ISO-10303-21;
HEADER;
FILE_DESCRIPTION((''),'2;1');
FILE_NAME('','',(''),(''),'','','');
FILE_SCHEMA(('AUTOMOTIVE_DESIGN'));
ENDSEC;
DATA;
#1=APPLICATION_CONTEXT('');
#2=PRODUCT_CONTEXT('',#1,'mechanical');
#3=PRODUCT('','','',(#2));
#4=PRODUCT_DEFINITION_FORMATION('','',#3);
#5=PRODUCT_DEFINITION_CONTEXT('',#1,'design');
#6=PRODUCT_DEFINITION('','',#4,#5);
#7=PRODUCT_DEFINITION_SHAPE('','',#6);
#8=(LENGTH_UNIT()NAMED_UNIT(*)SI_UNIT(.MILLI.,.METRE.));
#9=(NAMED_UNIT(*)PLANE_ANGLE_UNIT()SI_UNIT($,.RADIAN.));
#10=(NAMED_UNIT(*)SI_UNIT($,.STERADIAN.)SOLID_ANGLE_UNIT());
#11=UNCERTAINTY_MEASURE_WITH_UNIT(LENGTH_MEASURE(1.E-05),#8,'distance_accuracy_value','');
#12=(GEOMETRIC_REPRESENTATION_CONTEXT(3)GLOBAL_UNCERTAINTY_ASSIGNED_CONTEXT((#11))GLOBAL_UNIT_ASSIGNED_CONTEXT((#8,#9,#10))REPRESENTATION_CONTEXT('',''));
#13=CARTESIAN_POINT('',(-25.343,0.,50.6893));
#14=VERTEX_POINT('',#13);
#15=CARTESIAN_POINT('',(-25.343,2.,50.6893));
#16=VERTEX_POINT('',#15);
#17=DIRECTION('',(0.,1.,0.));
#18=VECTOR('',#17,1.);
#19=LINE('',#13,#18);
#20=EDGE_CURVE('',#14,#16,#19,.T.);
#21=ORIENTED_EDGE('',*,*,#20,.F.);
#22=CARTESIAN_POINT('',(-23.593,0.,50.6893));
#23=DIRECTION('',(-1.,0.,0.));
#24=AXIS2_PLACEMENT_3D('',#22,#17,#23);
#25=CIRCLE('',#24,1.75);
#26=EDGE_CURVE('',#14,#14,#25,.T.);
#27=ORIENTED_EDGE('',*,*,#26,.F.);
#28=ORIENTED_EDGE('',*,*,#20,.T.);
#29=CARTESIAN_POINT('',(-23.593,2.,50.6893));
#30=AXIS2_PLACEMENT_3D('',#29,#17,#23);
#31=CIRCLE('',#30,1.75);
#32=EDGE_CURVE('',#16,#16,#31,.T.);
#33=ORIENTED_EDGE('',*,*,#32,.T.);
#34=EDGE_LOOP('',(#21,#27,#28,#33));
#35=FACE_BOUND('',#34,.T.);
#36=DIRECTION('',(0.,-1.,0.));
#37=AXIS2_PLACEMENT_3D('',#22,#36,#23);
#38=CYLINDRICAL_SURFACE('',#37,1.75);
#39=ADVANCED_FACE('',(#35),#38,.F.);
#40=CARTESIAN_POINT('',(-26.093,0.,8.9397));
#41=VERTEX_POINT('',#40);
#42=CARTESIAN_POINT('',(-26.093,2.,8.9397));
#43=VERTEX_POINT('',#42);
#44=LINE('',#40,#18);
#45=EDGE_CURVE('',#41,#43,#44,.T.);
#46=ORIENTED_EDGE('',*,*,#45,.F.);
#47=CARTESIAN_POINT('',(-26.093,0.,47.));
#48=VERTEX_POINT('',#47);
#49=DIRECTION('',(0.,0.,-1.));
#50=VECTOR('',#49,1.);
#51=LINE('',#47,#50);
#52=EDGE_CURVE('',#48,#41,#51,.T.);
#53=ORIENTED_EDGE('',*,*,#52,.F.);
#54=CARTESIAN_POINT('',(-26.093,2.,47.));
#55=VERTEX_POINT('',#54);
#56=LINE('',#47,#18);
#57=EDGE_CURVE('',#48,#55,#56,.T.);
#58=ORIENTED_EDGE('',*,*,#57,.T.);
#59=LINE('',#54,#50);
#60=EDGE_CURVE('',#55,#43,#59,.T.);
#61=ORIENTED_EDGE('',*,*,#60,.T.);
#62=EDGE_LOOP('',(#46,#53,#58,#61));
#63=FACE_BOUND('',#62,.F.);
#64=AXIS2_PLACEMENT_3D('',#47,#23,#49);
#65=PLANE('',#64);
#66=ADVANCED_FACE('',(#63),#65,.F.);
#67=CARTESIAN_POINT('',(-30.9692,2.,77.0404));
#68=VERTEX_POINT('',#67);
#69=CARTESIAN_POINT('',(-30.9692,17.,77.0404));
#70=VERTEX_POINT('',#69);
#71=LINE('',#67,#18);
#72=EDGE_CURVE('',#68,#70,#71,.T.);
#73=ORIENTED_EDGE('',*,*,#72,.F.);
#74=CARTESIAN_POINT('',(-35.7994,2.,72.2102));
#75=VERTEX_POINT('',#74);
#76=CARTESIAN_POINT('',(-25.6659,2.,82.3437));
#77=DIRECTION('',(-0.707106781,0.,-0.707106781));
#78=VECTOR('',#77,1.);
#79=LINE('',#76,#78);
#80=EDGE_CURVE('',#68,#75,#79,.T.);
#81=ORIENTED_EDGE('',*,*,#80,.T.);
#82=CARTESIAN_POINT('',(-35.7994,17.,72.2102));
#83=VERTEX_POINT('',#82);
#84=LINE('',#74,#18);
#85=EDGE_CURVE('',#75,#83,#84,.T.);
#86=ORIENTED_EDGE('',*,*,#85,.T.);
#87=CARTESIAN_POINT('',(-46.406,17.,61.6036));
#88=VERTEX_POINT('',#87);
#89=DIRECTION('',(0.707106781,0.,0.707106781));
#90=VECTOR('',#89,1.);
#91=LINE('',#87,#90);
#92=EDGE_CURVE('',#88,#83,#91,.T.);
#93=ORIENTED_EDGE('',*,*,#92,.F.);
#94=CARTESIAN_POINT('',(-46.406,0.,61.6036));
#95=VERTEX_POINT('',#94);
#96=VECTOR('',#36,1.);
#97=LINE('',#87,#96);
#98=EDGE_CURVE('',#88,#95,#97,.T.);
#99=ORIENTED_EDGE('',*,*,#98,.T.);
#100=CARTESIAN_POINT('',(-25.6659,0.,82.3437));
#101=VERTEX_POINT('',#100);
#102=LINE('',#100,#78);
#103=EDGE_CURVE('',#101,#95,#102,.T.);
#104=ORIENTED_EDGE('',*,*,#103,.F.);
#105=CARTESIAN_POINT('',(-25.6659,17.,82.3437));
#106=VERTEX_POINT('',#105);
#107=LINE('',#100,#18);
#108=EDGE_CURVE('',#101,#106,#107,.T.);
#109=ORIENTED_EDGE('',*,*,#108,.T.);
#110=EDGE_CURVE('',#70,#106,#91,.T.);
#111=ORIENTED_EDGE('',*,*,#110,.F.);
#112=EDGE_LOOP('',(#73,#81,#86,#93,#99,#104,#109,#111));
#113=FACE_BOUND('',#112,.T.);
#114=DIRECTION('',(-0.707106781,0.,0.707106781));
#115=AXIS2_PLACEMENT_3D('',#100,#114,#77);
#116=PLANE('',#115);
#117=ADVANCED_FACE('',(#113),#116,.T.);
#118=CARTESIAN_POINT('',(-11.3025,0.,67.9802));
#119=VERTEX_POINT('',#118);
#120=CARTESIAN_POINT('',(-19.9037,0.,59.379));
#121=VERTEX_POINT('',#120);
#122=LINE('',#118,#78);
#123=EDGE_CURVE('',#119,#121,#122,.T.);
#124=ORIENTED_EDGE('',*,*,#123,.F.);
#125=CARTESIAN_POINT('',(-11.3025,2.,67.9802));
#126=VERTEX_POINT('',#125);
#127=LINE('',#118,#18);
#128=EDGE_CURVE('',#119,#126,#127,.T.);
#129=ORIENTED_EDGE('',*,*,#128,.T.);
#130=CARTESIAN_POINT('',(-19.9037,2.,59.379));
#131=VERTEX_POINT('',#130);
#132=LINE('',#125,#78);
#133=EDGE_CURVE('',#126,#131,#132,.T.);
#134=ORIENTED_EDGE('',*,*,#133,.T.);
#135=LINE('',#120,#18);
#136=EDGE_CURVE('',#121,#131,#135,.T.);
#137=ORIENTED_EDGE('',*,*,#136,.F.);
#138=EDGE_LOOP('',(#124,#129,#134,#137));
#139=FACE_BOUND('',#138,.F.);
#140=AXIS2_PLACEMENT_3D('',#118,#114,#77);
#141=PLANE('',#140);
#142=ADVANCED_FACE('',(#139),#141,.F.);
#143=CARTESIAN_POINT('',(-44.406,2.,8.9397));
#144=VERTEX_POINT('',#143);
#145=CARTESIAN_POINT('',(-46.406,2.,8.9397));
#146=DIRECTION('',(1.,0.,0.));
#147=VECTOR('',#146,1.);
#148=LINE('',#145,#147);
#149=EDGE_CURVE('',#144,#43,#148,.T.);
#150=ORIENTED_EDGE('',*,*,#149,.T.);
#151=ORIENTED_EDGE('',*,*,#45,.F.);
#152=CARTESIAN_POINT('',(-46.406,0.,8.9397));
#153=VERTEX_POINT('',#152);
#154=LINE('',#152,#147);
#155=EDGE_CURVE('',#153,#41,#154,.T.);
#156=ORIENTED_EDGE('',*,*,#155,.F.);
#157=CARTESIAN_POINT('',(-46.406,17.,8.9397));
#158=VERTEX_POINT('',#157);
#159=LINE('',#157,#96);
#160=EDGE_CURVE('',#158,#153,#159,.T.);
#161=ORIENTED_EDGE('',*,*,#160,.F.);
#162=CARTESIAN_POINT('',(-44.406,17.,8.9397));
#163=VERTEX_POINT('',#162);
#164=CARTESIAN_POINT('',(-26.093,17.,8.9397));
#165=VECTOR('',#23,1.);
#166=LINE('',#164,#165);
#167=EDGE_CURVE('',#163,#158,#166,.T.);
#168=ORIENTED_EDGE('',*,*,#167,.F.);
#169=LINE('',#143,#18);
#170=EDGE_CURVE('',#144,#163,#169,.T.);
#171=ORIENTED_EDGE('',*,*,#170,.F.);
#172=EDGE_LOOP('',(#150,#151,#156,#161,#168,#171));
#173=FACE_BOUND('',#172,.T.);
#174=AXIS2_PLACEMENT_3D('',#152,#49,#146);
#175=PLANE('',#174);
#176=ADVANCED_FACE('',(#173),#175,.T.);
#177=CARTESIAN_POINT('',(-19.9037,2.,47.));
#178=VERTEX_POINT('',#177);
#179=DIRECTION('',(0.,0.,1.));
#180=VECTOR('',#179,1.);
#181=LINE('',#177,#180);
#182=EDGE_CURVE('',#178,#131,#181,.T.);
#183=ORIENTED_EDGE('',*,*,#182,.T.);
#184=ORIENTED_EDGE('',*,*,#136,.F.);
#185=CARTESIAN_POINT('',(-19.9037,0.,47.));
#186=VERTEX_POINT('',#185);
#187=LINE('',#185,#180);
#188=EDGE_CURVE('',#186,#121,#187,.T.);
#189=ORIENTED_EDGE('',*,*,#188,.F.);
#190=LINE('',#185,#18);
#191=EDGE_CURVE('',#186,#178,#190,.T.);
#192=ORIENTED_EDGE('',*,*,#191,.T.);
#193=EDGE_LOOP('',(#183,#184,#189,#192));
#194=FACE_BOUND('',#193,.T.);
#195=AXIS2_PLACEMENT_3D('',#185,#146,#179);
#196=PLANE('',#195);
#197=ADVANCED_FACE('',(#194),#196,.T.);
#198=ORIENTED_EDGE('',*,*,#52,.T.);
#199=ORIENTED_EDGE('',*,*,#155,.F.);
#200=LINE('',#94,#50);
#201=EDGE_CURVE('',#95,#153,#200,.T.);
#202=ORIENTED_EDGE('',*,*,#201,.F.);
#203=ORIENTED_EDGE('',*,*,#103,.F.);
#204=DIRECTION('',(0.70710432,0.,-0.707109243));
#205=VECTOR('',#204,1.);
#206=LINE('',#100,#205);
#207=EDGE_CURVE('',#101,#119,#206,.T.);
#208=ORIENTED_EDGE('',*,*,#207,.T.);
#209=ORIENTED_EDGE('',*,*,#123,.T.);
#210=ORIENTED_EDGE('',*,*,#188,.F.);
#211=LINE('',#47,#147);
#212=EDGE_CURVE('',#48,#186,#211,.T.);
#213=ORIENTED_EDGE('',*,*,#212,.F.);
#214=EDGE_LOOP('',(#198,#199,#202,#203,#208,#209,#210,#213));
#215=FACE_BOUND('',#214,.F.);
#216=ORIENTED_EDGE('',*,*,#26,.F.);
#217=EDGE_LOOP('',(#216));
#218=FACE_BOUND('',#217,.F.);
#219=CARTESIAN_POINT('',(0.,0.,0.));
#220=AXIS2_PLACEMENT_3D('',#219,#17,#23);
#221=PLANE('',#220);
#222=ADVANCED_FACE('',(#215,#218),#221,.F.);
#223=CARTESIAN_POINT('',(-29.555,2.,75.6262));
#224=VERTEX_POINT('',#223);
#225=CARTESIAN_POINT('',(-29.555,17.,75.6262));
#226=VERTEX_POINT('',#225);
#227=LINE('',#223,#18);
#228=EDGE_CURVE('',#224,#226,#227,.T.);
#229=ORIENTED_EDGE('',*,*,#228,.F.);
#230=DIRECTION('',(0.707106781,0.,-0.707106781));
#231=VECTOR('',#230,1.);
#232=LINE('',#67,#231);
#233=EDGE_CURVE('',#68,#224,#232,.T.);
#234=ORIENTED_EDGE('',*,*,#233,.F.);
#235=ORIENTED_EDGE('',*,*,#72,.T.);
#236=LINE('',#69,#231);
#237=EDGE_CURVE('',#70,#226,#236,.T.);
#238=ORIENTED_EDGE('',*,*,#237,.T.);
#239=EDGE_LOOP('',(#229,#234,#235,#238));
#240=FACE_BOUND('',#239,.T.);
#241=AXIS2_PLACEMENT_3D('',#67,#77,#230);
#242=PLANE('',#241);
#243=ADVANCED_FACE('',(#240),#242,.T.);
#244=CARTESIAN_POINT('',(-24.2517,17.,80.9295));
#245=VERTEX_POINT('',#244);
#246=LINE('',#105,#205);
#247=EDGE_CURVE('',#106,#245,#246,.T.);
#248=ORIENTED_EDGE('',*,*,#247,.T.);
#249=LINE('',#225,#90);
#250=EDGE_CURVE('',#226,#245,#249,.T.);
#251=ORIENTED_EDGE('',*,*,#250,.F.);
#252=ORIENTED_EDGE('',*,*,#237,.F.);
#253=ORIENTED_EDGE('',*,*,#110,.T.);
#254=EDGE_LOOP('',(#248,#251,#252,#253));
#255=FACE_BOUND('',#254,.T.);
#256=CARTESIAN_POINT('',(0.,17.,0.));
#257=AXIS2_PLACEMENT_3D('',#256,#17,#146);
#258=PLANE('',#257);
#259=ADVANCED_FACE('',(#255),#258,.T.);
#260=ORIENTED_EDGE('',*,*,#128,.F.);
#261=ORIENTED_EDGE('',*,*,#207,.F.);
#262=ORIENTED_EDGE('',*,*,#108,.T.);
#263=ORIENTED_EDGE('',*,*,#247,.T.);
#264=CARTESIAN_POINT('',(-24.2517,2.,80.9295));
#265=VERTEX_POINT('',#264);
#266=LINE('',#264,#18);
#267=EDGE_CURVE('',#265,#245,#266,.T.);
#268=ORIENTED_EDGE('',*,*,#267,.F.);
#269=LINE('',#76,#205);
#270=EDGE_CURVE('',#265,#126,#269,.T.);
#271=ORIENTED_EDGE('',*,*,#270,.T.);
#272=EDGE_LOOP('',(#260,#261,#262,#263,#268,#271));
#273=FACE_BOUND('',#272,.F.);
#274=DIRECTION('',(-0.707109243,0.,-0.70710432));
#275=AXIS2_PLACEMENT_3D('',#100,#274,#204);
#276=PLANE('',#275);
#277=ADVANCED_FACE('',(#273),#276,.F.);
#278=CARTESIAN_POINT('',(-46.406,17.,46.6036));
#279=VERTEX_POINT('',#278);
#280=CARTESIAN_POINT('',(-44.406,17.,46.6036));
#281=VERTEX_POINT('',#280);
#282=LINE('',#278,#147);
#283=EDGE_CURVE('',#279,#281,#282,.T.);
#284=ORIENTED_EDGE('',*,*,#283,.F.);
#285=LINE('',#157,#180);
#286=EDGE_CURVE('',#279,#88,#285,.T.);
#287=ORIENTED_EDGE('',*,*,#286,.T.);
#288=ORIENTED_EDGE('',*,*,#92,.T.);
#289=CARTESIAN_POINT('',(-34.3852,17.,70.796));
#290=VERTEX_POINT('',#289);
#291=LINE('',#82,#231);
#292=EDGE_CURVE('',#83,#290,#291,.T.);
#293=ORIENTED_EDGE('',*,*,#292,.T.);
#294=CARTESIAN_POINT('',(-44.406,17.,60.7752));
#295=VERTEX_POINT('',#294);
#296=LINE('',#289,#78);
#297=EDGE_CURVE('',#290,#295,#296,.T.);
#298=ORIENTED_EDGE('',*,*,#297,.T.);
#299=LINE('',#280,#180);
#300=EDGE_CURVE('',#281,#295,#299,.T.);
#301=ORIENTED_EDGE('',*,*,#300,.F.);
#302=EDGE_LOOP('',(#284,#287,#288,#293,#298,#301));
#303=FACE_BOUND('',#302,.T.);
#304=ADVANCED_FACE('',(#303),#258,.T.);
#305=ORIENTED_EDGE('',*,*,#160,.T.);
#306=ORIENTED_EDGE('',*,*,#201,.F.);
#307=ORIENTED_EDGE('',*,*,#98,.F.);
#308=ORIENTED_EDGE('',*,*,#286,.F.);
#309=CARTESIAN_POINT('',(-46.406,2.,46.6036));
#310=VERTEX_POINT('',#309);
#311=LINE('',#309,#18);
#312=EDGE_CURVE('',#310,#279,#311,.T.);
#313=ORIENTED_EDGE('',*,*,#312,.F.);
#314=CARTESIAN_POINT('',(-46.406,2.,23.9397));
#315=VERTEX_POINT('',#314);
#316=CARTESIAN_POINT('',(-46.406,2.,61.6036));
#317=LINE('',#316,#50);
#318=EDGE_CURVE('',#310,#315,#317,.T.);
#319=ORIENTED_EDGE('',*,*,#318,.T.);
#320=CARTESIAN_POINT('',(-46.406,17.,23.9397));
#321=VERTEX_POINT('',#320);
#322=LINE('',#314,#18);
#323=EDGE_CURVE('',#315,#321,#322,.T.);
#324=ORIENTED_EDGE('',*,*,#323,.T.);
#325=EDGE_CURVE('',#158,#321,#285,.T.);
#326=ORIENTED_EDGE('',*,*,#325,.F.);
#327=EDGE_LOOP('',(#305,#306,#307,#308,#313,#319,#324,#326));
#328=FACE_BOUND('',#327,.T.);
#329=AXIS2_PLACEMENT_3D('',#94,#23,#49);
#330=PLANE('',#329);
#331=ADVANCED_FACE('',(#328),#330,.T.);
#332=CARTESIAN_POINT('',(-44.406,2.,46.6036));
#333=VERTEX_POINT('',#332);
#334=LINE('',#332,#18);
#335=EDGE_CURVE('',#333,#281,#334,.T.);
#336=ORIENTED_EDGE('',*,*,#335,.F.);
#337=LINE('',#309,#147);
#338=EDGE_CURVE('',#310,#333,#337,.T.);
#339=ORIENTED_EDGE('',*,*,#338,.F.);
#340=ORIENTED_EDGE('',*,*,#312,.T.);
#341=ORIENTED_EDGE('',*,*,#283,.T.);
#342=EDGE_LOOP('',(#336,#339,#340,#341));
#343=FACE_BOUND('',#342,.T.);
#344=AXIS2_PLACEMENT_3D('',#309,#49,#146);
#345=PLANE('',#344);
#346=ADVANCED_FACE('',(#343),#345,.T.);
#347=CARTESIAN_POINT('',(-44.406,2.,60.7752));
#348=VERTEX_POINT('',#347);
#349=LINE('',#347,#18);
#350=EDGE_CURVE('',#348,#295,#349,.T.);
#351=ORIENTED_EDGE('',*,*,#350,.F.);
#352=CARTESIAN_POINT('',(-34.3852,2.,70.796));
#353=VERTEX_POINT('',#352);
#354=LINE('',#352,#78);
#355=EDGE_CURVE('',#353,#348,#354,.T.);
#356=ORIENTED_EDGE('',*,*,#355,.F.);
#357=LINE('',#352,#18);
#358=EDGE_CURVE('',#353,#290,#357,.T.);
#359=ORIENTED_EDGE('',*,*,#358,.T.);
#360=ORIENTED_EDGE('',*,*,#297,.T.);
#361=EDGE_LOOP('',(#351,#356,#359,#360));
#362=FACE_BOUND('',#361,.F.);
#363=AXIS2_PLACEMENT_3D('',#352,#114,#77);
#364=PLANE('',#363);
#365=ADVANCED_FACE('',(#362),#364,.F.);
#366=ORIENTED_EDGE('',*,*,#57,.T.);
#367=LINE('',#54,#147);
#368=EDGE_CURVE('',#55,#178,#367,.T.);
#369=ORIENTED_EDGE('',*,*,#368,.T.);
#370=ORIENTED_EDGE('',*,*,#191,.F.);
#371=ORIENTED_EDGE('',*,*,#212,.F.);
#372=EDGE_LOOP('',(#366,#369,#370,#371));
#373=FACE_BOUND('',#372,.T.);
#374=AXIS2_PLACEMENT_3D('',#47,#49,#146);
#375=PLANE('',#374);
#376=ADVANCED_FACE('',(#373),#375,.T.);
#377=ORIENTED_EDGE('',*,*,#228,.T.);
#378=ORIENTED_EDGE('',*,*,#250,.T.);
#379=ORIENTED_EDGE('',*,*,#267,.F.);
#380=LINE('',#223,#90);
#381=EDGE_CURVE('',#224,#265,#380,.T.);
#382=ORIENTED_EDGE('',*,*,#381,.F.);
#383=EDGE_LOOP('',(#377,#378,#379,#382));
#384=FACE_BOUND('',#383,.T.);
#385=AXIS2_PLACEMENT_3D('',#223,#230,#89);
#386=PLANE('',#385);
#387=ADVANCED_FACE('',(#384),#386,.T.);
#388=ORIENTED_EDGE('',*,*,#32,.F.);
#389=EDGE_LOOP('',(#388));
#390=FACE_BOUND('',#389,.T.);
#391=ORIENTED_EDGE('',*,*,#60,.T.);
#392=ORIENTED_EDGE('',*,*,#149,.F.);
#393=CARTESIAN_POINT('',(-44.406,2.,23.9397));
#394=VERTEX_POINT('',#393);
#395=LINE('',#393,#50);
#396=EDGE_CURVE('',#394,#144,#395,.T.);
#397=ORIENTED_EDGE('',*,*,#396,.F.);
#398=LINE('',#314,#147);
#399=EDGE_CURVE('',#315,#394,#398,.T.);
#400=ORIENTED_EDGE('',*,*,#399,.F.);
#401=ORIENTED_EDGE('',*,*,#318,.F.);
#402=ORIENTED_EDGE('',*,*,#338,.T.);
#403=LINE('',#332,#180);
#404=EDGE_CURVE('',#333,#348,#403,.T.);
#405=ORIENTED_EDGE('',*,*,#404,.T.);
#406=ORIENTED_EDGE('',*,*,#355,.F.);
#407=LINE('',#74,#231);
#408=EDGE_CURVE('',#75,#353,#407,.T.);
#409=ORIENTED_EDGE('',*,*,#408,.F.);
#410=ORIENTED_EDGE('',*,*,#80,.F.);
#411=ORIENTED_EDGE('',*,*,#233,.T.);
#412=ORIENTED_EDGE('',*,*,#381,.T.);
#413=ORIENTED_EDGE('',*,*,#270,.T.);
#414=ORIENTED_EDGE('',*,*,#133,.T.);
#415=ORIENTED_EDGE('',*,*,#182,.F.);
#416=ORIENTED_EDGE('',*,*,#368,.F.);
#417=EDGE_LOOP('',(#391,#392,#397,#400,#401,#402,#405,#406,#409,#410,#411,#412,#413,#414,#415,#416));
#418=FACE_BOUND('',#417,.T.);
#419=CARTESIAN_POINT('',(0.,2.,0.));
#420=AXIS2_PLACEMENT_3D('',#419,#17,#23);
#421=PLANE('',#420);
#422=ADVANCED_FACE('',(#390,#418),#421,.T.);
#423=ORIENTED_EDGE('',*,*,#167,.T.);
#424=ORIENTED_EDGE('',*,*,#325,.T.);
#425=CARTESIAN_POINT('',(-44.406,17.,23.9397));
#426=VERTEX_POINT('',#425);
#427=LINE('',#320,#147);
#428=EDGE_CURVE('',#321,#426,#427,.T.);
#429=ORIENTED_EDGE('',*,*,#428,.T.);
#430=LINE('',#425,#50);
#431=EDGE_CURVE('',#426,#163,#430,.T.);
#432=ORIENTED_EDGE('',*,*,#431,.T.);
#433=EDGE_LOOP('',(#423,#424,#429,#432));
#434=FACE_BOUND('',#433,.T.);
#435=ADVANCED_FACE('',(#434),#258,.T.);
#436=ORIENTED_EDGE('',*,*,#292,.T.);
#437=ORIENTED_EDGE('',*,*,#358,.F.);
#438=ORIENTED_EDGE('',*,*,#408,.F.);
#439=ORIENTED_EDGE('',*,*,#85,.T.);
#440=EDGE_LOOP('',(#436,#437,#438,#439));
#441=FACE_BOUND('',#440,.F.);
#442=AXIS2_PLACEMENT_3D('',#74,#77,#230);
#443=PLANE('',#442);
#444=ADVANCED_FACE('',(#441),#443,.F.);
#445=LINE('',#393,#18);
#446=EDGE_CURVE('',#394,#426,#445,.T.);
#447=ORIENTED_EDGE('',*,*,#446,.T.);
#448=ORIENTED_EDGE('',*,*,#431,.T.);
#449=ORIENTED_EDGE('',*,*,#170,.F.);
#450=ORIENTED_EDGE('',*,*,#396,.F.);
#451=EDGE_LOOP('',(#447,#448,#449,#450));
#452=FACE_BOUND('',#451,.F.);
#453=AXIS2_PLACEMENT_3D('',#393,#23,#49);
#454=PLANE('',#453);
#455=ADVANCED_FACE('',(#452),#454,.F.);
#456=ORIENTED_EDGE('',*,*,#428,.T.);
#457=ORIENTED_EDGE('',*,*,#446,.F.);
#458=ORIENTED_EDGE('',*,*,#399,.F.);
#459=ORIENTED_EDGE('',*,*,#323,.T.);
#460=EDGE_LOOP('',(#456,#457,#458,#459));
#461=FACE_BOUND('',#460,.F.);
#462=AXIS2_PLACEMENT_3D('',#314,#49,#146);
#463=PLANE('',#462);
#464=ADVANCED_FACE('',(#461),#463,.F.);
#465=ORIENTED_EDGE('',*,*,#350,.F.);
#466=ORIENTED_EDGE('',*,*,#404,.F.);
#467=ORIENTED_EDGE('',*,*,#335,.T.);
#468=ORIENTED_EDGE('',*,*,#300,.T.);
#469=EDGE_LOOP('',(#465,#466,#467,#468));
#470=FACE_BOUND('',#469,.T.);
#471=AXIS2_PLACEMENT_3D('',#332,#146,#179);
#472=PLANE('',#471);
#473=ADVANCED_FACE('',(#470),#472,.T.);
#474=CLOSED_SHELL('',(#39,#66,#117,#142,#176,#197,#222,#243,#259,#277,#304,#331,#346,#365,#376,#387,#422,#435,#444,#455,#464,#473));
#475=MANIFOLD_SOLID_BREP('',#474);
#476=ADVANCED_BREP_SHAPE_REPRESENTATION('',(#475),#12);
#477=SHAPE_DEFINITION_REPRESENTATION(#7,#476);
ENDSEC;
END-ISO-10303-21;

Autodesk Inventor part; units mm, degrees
ref_plane "YZ Plane" through (0, 0, 0) normal (1, 0, 0) x (0, 1, 0)
ref_plane "XZ Plane" through (0, 0, 0) normal (0, 1, 0) x (-1, 0, 0)
ref_plane "XY Plane" through (0, 0, 0) normal (0, 0, 1) x (1, 0, 0)
sketch "Sketch1" plane through (0, 0, 0) normal (0, 1, 0) x (-1, 0, 0)
  line L0 (25.6659, 82.3437) -> (46.406, 61.6036)
  line L1 (46.406, 61.6036) -> (46.406, 8.9397)
  circle A0 centre (23.593, 50.6893) radius 1.75
  circle A1 centre (23.593, 50.6893) radius 1.75
  line L2 (46.406, 8.9397) -> (26.093, 8.9397)
  line L3 (26.093, 47) -> (19.9037, 47)
  line L4 (19.9037, 47) -> (19.9037, 59.379)
  line L5 (11.3025, 67.9802) -> (19.9037, 59.379)
  line L6 (26.093, 47) -> (26.093, 8.9397)
  line L7 (25.6659, 82.3437) -> (11.3025, 67.9802)
extrude "Extrusion3" add sketch "Sketch1" along normal blind 2
sketch "Sketch3" plane through (0, 2, 0) normal (0, 1, 0) x (1, 0, 0)
  circle A0 centre (-23.593, -50.6893) radius 1.75 projected
  line L0 (-46.406, -8.9397) -> (-46.406, -61.6036) projected
  line L1 (-46.406, -61.6036) -> (-25.6659, -82.3437) projected
  line L2 (-25.6659, -82.3437) -> (-11.3025, -67.9802) projected
  line L3 (-11.3025, -67.9802) -> (-19.9037, -59.379) projected
  line L4 (-19.9037, -59.379) -> (-19.9037, -47) projected
  line L5 (-19.9037, -47) -> (-26.093, -47) projected
  line L6 (-26.093, -47) -> (-26.093, -8.9397) projected
  line L7 (-26.093, -8.9397) -> (-46.406, -8.9397) projected
  line L8 (-46.406, -8.9397) -> (-46.406, -23.9397)
  line L9 (-46.406, -23.9397) -> (-44.406, -23.9397)
  line L10 (-44.406, -23.9397) -> (-44.406, -8.9397)
  line L11 (-44.406, -8.9397) -> (-46.406, -8.9397)
  line L12 (-46.406, -8.9397) -> (-31.406, -8.9397) construction
  line L13 (-46.406, -61.6036) -> (-46.406, -46.6036)
  line L14 (-46.406, -46.6036) -> (-44.406, -46.6036)
  line L15 (-44.406, -46.6036) -> (-44.406, -61.6036)
  line L16 (-44.406, -61.6036) -> (-46.406, -61.6036)
  line L17 (-46.406, -61.6036) -> (-31.406, -61.6036) construction
  line L18 (-46.406, -61.6036) -> (-35.7994, -72.2102)
  line L19 (-35.7994, -72.2102) -> (-34.3852, -70.796)
  line L20 (-34.3852, -70.796) -> (-44.9918, -60.1894)
  line L21 (-44.9918, -60.1894) -> (-46.406, -61.6036)
  line L22 (-46.406, -61.6036) -> (-31.406, -61.6036) construction
  line L23 (-46.406, -61.6036) -> (-25.6659, -82.3437) projected
  line L24 (-25.6659, -82.3437) -> (-30.9692, -77.0404)
  line L25 (-30.9692, -77.0404) -> (-29.555, -75.6262)
  line L26 (-29.555, -75.6262) -> (-24.2517, -80.9295)
  line L27 (-24.2517, -80.9295) -> (-25.6659, -82.3437)
  point P0 (0, 0)
  dimension "d20" = 15
  dimension "d21" = 90
  dimension "d22" = 2
  dimension "d23" = 15
  dimension "d24" = 90
  dimension "d25" = 2
  dimension "d26" = 15
  dimension "d27" = 45
  dimension "d28" = 2
  dimension "d29" = 7.5
  dimension "d30" = 2
extrude "Extrusion4" add sketch "Sketch3" along normal blind 15 contours L7 L10 L9 L0 | L14 L15 L20 L21 L0 | L16 L15 L20 L19 L1 | L21 L20 L15 L16 | L25 L26 L2 L1
properties part number "covfronti2c2"
